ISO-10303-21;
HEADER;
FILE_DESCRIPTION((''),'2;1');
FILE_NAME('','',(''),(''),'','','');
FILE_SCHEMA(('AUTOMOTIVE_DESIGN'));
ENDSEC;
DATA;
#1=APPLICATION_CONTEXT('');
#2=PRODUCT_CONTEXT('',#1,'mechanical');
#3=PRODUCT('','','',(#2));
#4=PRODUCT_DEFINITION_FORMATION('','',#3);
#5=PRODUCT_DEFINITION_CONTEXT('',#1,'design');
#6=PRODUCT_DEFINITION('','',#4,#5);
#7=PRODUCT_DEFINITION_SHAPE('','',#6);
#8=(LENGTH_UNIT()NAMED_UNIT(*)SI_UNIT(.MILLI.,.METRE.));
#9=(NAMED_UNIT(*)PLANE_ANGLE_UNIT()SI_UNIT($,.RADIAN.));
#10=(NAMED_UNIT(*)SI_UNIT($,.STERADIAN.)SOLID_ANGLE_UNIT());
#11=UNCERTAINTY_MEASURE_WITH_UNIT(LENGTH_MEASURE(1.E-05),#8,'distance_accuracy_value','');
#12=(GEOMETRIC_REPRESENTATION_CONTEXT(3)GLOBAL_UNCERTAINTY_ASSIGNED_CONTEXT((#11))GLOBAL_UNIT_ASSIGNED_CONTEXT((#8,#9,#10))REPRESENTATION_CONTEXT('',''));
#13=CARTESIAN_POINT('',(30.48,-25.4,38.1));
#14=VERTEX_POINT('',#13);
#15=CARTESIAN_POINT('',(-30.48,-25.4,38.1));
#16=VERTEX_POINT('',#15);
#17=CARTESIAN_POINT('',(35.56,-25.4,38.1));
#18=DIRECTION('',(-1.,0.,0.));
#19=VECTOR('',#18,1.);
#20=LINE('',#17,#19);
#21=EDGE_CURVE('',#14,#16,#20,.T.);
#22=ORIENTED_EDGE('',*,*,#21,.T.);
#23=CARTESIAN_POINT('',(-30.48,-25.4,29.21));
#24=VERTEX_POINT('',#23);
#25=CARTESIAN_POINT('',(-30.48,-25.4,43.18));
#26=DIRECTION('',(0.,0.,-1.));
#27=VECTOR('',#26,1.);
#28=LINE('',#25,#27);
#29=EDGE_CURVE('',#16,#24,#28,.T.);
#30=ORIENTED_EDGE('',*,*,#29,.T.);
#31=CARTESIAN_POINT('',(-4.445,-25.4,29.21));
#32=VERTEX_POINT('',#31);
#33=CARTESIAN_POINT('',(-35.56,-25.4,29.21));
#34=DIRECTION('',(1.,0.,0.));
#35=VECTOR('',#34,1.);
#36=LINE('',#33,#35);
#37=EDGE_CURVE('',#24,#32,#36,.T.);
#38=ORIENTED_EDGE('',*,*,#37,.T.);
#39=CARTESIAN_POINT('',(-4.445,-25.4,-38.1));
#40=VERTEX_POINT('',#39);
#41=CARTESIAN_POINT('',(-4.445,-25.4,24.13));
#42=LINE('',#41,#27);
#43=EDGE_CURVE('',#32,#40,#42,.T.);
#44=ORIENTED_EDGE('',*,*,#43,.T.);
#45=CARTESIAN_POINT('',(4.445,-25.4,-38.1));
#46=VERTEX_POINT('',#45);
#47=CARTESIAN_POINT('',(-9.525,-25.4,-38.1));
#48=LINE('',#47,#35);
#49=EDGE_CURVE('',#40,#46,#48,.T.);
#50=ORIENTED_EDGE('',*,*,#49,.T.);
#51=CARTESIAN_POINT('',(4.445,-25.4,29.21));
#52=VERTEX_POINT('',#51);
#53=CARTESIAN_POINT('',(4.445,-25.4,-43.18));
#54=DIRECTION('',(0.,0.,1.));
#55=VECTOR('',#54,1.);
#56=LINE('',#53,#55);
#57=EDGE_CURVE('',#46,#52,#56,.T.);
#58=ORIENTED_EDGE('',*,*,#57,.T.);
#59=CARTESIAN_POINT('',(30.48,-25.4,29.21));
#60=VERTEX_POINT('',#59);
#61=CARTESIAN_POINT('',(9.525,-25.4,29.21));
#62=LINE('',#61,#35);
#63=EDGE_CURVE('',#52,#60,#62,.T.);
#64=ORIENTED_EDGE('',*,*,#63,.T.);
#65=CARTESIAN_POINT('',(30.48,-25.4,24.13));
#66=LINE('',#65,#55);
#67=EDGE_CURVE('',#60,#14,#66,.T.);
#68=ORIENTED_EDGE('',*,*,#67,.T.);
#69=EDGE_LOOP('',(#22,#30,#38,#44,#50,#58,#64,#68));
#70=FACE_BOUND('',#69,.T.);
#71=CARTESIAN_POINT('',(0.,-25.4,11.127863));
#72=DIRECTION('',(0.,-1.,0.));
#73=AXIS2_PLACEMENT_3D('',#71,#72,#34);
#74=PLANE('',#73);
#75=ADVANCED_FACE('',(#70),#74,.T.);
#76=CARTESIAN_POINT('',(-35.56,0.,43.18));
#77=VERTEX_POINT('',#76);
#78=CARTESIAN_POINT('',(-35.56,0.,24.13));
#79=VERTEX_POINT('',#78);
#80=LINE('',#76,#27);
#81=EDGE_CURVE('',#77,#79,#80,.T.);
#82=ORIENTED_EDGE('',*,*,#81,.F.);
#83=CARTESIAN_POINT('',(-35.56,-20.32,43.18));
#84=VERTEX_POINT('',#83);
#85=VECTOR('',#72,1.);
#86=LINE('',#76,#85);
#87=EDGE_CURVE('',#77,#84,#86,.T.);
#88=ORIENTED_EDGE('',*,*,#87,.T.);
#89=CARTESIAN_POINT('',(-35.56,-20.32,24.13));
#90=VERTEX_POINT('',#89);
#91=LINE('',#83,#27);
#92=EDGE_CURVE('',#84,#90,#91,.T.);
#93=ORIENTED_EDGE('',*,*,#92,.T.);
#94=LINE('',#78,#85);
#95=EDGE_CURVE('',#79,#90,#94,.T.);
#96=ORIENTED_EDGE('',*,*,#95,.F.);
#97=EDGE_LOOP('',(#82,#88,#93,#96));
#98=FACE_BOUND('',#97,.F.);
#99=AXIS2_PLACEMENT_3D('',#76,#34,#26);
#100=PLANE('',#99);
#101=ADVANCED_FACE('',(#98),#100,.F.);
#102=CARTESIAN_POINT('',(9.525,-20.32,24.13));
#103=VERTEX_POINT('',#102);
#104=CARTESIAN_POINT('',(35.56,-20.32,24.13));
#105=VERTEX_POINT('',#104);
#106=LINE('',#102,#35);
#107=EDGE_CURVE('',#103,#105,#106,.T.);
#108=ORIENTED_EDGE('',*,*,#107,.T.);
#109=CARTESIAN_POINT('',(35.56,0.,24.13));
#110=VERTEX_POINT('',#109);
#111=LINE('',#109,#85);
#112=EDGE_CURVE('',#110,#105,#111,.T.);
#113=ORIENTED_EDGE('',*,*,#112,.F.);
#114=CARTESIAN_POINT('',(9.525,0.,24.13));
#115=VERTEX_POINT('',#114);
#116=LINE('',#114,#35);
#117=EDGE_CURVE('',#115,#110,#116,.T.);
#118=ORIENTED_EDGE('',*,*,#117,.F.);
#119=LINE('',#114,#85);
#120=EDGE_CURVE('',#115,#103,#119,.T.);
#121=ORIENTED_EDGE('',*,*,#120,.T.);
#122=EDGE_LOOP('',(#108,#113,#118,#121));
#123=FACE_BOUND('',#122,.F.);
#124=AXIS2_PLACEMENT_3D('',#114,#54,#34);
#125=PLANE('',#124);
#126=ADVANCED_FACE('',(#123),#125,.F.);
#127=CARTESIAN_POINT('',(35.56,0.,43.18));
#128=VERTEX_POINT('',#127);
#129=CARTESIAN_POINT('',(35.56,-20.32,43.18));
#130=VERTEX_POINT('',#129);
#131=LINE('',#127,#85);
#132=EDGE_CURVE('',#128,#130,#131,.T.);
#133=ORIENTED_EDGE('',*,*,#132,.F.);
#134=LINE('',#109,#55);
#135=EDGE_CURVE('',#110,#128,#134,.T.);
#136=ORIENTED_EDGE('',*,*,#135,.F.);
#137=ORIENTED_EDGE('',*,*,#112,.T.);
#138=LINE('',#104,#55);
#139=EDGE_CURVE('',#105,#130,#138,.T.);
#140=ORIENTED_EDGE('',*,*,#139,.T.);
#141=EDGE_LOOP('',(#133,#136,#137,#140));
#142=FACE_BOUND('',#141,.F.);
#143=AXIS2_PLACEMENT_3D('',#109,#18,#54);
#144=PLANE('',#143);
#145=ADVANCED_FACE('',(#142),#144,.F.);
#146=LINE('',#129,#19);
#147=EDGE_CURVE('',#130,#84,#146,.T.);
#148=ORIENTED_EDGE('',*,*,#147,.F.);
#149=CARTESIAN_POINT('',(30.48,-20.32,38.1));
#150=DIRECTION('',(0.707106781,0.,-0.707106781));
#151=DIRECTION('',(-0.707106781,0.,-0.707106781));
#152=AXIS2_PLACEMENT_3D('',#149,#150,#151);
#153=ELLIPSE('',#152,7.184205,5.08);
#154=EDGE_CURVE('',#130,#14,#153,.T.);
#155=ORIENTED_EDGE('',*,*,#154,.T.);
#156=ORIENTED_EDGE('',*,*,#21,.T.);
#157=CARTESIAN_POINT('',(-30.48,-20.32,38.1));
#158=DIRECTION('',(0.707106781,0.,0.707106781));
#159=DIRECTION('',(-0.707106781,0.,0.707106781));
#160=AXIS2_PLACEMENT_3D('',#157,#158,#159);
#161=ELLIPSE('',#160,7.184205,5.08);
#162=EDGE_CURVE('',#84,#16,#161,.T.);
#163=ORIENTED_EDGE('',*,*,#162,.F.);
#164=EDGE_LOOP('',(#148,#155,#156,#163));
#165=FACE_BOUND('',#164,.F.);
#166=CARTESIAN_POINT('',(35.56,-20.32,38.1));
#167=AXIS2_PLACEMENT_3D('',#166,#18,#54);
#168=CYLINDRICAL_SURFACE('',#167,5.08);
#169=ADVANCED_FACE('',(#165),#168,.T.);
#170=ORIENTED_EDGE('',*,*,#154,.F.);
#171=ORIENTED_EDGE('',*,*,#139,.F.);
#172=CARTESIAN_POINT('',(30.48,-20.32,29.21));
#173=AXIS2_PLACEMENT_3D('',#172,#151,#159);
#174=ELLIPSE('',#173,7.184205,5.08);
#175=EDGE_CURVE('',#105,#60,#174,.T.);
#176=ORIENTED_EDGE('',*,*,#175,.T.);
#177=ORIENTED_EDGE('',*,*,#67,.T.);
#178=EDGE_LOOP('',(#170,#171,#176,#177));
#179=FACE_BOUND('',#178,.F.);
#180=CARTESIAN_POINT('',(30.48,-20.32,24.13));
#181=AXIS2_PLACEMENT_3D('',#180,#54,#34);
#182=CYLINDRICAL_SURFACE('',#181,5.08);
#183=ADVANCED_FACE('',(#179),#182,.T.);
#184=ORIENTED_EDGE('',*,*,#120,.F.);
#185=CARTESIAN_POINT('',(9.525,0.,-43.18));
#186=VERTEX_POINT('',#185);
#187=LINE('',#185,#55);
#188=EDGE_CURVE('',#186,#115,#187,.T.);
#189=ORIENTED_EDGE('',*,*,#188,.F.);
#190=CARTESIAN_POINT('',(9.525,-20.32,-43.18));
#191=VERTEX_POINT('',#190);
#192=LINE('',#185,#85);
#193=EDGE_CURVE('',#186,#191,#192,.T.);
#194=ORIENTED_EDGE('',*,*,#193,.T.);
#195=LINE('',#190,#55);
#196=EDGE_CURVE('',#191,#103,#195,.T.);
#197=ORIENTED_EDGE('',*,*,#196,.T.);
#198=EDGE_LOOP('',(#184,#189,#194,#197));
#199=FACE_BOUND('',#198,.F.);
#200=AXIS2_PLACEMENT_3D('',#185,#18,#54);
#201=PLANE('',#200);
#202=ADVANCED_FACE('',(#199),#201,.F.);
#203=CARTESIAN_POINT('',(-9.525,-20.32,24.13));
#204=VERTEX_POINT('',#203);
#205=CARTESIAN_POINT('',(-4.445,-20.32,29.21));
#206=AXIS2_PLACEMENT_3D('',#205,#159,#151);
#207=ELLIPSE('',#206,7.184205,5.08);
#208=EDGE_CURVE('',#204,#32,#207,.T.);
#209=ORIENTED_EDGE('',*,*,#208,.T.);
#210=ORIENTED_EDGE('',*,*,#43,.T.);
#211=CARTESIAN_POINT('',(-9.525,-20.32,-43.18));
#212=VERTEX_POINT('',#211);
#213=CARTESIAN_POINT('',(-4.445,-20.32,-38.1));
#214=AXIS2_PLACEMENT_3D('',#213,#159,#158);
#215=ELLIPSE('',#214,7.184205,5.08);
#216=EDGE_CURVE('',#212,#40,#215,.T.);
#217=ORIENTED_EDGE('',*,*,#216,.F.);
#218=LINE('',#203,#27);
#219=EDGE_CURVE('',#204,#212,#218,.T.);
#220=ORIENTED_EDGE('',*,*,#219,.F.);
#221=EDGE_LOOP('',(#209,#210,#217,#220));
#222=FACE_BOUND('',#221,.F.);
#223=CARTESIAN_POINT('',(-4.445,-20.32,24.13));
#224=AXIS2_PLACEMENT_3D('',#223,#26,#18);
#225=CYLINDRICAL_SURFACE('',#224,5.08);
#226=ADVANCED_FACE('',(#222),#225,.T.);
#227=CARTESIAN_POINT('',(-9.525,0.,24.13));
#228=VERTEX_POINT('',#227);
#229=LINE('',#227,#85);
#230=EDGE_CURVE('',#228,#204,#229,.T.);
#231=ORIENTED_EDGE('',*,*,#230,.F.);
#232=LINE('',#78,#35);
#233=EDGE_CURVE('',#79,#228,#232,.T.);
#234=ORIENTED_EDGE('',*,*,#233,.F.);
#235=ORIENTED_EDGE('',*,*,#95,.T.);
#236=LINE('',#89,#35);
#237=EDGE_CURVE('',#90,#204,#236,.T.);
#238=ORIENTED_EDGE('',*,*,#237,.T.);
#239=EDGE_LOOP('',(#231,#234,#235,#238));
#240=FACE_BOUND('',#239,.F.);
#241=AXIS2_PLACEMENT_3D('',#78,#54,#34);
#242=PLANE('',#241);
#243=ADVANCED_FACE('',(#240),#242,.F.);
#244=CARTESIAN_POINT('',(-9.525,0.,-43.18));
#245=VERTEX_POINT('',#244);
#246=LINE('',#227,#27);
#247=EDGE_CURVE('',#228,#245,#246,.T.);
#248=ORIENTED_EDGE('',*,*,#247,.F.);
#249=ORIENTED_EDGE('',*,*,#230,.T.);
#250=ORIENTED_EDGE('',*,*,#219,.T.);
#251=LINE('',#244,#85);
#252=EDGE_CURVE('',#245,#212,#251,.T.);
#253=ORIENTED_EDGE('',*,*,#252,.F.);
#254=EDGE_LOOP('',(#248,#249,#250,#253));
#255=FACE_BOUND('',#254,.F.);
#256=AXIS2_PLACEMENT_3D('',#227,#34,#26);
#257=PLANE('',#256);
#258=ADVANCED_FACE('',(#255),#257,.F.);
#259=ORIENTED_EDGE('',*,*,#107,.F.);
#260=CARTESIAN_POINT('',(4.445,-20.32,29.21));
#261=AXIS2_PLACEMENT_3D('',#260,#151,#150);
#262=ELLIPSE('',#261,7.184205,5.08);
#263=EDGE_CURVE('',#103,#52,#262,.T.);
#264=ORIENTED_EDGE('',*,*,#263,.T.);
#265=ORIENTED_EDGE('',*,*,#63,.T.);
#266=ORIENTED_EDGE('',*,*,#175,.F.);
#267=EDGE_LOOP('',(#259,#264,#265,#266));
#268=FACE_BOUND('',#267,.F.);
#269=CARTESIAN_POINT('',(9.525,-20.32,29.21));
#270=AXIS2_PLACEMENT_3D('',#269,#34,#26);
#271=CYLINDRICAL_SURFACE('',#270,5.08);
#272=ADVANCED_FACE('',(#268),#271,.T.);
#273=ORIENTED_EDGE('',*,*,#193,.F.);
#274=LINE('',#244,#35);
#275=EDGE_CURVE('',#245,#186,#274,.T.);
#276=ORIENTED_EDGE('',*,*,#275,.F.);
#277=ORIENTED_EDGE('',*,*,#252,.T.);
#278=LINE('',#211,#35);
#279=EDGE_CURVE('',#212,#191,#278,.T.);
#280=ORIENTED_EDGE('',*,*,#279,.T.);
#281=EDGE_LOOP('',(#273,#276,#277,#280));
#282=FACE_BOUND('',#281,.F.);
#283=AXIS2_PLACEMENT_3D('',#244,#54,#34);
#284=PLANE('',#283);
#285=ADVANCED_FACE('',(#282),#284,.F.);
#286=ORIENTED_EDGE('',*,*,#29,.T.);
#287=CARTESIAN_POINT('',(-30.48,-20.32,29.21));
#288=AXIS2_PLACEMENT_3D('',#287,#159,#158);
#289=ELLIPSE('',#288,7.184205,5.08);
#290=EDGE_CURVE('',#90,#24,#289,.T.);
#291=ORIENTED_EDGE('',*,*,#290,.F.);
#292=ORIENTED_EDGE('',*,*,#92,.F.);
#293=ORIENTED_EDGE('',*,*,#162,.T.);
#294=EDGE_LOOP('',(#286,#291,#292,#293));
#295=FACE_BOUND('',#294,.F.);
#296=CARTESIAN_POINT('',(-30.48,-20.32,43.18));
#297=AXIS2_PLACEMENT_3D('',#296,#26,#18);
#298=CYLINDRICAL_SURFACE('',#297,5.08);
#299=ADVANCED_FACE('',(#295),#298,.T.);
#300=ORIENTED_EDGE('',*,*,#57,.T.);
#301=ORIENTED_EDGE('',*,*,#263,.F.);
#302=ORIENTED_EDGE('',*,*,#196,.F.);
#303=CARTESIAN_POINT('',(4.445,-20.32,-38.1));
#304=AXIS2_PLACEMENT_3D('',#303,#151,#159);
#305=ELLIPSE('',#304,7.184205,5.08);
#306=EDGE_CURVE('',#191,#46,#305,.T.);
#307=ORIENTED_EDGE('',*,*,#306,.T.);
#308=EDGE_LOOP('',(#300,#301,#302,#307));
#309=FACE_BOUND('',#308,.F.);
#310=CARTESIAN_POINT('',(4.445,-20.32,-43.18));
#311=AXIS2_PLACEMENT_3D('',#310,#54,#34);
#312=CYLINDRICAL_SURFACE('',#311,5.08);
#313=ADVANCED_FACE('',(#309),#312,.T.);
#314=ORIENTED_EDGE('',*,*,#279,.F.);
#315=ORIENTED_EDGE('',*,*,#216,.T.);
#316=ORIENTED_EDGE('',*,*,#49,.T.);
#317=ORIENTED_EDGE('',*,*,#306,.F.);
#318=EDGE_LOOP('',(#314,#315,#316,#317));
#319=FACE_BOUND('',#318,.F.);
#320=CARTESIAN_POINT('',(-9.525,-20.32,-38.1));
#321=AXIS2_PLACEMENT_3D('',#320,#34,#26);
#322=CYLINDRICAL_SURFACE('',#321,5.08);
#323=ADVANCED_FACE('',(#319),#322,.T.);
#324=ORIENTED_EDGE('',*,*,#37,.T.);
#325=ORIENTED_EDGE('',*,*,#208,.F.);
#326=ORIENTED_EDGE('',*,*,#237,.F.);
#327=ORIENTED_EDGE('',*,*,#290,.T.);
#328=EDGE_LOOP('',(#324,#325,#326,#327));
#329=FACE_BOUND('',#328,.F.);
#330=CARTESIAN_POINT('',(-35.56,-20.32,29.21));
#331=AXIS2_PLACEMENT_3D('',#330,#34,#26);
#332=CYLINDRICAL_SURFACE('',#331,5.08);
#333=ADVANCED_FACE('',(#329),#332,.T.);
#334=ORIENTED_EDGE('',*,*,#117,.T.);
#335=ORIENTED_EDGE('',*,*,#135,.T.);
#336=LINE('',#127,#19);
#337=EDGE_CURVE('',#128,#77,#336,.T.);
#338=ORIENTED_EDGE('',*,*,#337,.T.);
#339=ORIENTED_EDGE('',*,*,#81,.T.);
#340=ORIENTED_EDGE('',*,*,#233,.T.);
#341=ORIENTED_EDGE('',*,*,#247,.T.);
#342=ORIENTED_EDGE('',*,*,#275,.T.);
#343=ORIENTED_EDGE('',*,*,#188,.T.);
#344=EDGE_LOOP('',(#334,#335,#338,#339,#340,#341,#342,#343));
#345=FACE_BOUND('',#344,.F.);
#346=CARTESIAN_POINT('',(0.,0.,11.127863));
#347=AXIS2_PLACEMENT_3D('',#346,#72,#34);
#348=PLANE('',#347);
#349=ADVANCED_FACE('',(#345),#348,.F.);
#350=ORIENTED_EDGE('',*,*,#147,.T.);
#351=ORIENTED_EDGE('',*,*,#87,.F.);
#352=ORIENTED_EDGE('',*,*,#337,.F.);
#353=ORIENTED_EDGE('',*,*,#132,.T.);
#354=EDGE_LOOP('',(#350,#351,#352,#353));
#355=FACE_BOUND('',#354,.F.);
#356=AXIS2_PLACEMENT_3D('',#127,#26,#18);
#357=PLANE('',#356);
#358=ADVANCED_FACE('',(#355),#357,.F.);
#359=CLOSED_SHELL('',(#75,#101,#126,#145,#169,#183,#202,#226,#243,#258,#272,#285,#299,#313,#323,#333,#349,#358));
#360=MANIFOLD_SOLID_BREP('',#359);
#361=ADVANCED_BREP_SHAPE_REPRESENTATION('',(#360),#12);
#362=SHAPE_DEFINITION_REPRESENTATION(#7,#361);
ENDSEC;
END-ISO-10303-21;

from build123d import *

# Parameters (mm, degrees)
F1_DEPTH = 25.4
F2_R     = 5.08


with BuildPart() as f1:
    # F0 (on Front) → F1 (new body)
    with BuildSketch(Plane.XZ):
        Polygon((-35.56, 43.18), (-35.56, 24.13), (-9.525, 24.13), (-9.525, -43.18), (9.525, -43.18), (9.525, 24.13), (35.56, 24.13), (35.56, 43.18), align=None)
    extrude(amount=F1_DEPTH)

    # F2
    f2_edges = [f1.edges().sort_by_distance(p)[0] for p in [
        (0, -25.4, 43.18),
        (35.56, -25.4, 33.655),
        (22.5425, -25.4, 24.13),
        (9.525, -25.4, -9.525),
        (0, -25.4, -43.18),
        (-9.525, -25.4, -9.525),
        (-22.5425, -25.4, 24.13),
        (-35.56, -25.4, 33.655),
    ]]
    fillet(f2_edges, radius=F2_R)


solid = f1.part
